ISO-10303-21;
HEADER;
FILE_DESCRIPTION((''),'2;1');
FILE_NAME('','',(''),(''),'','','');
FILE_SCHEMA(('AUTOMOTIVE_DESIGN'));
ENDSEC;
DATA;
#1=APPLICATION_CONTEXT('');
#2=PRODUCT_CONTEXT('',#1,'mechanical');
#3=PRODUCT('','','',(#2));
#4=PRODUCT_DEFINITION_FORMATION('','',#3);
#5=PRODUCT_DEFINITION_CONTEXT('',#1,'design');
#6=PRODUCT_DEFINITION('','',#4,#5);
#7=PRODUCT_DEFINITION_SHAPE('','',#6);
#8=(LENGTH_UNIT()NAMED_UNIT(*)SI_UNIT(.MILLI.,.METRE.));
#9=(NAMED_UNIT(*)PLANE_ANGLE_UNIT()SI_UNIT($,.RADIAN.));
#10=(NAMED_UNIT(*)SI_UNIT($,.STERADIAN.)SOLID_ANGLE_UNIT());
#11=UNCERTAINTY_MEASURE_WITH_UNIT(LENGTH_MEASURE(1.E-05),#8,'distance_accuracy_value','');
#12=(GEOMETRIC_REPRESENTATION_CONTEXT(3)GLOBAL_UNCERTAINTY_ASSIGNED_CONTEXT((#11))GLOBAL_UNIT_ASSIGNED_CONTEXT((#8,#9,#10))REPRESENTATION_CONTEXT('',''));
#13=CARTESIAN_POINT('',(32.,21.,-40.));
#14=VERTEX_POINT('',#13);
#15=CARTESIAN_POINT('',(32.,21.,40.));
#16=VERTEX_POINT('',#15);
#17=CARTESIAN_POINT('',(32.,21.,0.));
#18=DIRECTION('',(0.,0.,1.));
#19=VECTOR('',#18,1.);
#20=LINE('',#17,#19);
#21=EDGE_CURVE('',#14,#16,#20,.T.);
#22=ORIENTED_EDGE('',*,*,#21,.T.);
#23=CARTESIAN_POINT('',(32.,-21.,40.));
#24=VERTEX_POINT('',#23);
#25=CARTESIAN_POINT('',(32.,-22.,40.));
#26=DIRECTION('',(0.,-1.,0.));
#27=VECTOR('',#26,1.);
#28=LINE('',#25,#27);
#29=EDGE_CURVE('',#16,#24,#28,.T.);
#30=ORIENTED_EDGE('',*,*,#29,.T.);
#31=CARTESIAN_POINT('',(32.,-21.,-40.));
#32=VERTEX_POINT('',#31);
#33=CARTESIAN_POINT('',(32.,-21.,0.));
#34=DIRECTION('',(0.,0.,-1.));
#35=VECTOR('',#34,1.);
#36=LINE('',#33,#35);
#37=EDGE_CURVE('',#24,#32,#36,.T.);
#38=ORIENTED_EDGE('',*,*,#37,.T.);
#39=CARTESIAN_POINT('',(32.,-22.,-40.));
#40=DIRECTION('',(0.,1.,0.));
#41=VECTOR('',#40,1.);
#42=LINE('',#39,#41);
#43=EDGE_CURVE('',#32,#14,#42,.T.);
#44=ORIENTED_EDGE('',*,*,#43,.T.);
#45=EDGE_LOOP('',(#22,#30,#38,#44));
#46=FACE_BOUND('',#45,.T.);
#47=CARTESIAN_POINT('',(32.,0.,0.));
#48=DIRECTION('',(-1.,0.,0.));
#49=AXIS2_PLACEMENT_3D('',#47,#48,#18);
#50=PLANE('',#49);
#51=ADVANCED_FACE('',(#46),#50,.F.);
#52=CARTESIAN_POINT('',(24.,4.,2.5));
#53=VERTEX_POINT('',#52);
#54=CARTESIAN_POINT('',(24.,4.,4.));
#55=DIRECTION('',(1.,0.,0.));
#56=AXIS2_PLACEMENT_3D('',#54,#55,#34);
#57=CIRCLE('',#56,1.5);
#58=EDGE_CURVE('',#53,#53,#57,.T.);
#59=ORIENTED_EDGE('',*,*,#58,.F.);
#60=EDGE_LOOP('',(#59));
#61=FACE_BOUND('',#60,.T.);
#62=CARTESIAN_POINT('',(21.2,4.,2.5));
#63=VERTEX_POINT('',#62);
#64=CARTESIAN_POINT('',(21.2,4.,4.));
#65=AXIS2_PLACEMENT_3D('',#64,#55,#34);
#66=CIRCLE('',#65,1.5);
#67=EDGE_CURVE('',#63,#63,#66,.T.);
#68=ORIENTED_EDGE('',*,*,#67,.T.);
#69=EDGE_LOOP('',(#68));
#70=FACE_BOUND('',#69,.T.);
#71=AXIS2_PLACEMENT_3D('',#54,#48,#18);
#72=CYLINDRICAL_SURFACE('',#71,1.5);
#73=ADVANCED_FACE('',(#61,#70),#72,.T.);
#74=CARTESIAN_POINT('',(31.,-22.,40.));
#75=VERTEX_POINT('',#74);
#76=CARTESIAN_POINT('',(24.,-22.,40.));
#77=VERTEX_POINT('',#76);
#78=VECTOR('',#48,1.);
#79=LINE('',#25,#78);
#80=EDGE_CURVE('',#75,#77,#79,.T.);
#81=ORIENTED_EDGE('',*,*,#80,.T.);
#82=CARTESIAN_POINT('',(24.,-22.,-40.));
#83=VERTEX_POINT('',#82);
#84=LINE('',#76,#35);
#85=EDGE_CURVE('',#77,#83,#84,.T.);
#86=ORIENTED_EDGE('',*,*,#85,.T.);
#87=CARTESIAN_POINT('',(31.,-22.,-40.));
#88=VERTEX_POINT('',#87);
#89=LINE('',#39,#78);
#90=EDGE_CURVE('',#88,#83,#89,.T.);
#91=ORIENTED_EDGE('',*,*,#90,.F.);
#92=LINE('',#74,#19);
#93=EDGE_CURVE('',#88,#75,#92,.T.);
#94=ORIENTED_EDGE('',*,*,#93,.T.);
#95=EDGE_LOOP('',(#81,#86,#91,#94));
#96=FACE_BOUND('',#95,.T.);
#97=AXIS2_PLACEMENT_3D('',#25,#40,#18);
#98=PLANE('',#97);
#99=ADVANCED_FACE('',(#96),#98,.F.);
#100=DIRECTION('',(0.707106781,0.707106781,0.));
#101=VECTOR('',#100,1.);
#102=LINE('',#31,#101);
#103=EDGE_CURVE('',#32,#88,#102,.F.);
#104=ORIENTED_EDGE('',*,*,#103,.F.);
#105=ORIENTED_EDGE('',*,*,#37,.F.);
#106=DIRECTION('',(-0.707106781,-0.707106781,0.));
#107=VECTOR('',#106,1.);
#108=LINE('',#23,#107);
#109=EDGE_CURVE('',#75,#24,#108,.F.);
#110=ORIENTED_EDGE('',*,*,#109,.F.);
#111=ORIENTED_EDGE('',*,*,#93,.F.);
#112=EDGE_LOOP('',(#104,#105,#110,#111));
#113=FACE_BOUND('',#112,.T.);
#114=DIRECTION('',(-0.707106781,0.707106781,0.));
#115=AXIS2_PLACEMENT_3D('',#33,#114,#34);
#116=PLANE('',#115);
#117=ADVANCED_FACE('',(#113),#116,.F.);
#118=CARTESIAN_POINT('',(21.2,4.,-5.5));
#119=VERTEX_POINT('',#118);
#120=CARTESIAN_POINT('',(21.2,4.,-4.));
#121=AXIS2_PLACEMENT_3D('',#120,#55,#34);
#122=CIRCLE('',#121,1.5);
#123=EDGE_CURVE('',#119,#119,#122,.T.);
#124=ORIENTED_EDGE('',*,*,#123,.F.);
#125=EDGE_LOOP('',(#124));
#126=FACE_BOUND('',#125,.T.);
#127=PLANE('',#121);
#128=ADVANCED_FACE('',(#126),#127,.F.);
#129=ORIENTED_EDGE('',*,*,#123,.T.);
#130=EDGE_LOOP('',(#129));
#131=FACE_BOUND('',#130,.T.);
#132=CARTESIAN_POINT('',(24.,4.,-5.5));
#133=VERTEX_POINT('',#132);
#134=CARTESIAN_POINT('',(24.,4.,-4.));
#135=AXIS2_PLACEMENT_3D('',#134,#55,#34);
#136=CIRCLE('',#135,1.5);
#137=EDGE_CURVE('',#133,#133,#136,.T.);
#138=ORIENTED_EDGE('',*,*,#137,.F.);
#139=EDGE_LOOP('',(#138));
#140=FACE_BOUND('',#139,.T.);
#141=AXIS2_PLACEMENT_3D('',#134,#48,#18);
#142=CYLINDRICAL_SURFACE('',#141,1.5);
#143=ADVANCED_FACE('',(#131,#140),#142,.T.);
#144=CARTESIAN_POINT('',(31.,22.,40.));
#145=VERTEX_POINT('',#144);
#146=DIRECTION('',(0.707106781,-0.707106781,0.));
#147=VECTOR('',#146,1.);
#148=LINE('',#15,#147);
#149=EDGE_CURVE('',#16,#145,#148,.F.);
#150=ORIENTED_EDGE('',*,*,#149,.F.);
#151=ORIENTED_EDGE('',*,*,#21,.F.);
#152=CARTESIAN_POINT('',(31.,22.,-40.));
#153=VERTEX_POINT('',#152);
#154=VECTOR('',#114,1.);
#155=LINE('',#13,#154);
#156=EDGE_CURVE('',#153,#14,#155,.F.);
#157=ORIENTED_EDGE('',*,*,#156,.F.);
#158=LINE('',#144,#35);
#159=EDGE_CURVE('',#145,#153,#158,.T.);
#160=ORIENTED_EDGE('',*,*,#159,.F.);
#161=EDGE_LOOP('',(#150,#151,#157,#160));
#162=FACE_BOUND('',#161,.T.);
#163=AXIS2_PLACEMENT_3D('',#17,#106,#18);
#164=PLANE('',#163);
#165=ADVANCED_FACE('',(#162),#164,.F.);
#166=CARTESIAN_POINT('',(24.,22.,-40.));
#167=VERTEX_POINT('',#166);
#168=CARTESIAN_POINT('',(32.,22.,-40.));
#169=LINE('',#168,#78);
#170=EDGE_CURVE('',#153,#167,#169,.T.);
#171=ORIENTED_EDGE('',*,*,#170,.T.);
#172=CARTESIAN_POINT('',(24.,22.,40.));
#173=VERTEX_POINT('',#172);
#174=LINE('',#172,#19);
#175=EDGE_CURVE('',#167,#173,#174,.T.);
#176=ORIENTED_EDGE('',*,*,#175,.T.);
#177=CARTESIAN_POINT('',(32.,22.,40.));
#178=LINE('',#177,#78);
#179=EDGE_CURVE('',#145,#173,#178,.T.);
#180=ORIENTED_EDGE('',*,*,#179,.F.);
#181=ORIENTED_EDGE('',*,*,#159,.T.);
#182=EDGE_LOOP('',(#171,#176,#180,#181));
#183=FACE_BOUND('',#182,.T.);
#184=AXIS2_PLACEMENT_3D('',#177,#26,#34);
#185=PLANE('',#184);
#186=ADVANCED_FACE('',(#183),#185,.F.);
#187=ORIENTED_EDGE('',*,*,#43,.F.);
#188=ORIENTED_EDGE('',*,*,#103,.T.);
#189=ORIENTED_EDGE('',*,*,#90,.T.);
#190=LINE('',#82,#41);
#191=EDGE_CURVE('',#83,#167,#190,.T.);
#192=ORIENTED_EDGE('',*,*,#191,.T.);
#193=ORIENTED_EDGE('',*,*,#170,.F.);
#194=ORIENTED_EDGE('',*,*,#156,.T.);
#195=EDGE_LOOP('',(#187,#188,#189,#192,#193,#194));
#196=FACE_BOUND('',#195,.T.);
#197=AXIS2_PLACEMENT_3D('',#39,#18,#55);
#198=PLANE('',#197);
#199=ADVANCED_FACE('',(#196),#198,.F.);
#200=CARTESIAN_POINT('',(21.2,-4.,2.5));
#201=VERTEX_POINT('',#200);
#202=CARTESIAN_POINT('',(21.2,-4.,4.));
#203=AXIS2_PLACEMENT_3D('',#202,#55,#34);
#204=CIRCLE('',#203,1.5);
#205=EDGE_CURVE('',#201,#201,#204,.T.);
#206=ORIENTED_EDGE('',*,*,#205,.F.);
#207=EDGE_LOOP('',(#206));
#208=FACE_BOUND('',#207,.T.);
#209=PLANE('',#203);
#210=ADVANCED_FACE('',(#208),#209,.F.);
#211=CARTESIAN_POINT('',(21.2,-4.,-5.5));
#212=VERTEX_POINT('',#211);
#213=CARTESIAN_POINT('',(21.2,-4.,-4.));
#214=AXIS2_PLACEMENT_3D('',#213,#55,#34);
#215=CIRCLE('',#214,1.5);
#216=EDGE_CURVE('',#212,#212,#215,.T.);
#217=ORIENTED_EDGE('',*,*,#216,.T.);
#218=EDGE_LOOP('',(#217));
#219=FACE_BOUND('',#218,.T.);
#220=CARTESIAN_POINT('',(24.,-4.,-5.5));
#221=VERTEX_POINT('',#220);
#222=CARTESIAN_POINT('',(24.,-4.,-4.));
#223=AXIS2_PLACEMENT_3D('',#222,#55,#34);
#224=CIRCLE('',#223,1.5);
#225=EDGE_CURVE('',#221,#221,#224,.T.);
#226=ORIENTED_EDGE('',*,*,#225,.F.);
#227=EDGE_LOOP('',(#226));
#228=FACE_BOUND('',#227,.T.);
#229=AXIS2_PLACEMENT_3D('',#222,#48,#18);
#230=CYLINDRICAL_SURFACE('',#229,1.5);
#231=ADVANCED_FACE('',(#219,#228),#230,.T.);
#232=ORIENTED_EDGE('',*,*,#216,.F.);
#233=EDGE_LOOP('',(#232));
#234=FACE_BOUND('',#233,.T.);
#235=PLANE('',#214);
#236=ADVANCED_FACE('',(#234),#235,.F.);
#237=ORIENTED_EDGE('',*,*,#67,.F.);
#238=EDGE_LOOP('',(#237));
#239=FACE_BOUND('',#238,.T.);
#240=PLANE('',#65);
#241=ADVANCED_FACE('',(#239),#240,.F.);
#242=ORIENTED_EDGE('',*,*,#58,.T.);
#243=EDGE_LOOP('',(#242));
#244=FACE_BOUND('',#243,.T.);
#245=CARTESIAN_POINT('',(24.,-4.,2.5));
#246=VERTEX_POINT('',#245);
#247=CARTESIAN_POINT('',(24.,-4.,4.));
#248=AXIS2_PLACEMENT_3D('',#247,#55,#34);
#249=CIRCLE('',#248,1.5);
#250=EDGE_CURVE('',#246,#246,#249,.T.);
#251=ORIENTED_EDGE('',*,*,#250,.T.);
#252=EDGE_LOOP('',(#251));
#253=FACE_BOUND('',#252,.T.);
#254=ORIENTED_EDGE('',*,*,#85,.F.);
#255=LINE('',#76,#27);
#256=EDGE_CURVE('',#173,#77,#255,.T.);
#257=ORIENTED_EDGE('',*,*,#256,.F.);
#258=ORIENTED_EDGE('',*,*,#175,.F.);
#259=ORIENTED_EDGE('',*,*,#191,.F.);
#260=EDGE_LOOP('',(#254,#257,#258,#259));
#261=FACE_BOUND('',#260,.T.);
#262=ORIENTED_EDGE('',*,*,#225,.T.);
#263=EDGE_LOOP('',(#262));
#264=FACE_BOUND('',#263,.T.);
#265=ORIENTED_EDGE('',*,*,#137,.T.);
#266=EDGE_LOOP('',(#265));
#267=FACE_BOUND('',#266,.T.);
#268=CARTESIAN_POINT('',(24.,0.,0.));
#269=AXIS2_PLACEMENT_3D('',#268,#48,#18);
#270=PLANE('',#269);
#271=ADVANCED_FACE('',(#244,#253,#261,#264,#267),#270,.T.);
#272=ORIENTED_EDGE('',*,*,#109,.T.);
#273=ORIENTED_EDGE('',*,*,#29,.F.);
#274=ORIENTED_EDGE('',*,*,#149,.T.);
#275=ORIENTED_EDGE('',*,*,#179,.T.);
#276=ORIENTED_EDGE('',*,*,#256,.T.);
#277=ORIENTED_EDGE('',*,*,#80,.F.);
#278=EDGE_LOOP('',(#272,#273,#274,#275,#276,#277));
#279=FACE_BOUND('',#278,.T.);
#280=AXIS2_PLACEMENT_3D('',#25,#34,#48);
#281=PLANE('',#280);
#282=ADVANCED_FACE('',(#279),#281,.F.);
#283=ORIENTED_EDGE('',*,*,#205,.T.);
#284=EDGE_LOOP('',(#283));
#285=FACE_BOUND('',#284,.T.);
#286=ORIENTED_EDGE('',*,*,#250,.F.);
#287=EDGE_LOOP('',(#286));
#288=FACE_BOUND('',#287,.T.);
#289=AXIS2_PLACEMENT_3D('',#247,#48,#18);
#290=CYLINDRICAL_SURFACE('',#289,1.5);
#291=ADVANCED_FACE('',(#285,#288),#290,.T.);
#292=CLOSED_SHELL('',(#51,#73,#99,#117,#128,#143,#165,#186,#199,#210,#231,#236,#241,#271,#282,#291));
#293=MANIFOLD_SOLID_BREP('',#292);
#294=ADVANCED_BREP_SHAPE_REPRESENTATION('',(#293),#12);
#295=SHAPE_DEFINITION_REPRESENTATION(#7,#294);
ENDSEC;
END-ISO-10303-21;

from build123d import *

# Parameters (mm, degrees)
SKETCH1_W           = 80
SKETCH1_H           = 44
BOSS_EXTRUDE1_DEPTH = 8
SKETCH2_R           = 1.5
BOSS_EXTRUDE2_DEPTH = 2.8
CHAMFER1_SIZE       = 1


with BuildPart() as part:
    # Sketch1 → Boss-Extrude1 (new body)
    with BuildSketch(Plane(origin=(24, 0, 0), x_dir=(0, 0, -1), z_dir=(1, 0, 0))):
        Rectangle(SKETCH1_W, SKETCH1_H)
    extrude(amount=BOSS_EXTRUDE1_DEPTH)

    # Sketch2 → Boss-Extrude2 (add)
    with BuildSketch(Plane(origin=(21.2, 0, 0), x_dir=(0, 0, -1), z_dir=(1, 0, 0))):
        with Locations((-4, -4)):
            Circle(SKETCH2_R)
        with Locations((4, -4)):
            Circle(SKETCH2_R)
        with Locations((-4, 4)):
            Circle(SKETCH2_R)
        with Locations((4, 4)):
            Circle(SKETCH2_R)
    extrude(amount=BOSS_EXTRUDE2_DEPTH)

    # Chamfer1
    chamfer1_edges = [part.edges().sort_by_distance(p)[0] for p in [
        (32, 22, 0),
        (32, -22, 0),
    ]]
    chamfer(chamfer1_edges, length=CHAMFER1_SIZE)


solid = part.part
